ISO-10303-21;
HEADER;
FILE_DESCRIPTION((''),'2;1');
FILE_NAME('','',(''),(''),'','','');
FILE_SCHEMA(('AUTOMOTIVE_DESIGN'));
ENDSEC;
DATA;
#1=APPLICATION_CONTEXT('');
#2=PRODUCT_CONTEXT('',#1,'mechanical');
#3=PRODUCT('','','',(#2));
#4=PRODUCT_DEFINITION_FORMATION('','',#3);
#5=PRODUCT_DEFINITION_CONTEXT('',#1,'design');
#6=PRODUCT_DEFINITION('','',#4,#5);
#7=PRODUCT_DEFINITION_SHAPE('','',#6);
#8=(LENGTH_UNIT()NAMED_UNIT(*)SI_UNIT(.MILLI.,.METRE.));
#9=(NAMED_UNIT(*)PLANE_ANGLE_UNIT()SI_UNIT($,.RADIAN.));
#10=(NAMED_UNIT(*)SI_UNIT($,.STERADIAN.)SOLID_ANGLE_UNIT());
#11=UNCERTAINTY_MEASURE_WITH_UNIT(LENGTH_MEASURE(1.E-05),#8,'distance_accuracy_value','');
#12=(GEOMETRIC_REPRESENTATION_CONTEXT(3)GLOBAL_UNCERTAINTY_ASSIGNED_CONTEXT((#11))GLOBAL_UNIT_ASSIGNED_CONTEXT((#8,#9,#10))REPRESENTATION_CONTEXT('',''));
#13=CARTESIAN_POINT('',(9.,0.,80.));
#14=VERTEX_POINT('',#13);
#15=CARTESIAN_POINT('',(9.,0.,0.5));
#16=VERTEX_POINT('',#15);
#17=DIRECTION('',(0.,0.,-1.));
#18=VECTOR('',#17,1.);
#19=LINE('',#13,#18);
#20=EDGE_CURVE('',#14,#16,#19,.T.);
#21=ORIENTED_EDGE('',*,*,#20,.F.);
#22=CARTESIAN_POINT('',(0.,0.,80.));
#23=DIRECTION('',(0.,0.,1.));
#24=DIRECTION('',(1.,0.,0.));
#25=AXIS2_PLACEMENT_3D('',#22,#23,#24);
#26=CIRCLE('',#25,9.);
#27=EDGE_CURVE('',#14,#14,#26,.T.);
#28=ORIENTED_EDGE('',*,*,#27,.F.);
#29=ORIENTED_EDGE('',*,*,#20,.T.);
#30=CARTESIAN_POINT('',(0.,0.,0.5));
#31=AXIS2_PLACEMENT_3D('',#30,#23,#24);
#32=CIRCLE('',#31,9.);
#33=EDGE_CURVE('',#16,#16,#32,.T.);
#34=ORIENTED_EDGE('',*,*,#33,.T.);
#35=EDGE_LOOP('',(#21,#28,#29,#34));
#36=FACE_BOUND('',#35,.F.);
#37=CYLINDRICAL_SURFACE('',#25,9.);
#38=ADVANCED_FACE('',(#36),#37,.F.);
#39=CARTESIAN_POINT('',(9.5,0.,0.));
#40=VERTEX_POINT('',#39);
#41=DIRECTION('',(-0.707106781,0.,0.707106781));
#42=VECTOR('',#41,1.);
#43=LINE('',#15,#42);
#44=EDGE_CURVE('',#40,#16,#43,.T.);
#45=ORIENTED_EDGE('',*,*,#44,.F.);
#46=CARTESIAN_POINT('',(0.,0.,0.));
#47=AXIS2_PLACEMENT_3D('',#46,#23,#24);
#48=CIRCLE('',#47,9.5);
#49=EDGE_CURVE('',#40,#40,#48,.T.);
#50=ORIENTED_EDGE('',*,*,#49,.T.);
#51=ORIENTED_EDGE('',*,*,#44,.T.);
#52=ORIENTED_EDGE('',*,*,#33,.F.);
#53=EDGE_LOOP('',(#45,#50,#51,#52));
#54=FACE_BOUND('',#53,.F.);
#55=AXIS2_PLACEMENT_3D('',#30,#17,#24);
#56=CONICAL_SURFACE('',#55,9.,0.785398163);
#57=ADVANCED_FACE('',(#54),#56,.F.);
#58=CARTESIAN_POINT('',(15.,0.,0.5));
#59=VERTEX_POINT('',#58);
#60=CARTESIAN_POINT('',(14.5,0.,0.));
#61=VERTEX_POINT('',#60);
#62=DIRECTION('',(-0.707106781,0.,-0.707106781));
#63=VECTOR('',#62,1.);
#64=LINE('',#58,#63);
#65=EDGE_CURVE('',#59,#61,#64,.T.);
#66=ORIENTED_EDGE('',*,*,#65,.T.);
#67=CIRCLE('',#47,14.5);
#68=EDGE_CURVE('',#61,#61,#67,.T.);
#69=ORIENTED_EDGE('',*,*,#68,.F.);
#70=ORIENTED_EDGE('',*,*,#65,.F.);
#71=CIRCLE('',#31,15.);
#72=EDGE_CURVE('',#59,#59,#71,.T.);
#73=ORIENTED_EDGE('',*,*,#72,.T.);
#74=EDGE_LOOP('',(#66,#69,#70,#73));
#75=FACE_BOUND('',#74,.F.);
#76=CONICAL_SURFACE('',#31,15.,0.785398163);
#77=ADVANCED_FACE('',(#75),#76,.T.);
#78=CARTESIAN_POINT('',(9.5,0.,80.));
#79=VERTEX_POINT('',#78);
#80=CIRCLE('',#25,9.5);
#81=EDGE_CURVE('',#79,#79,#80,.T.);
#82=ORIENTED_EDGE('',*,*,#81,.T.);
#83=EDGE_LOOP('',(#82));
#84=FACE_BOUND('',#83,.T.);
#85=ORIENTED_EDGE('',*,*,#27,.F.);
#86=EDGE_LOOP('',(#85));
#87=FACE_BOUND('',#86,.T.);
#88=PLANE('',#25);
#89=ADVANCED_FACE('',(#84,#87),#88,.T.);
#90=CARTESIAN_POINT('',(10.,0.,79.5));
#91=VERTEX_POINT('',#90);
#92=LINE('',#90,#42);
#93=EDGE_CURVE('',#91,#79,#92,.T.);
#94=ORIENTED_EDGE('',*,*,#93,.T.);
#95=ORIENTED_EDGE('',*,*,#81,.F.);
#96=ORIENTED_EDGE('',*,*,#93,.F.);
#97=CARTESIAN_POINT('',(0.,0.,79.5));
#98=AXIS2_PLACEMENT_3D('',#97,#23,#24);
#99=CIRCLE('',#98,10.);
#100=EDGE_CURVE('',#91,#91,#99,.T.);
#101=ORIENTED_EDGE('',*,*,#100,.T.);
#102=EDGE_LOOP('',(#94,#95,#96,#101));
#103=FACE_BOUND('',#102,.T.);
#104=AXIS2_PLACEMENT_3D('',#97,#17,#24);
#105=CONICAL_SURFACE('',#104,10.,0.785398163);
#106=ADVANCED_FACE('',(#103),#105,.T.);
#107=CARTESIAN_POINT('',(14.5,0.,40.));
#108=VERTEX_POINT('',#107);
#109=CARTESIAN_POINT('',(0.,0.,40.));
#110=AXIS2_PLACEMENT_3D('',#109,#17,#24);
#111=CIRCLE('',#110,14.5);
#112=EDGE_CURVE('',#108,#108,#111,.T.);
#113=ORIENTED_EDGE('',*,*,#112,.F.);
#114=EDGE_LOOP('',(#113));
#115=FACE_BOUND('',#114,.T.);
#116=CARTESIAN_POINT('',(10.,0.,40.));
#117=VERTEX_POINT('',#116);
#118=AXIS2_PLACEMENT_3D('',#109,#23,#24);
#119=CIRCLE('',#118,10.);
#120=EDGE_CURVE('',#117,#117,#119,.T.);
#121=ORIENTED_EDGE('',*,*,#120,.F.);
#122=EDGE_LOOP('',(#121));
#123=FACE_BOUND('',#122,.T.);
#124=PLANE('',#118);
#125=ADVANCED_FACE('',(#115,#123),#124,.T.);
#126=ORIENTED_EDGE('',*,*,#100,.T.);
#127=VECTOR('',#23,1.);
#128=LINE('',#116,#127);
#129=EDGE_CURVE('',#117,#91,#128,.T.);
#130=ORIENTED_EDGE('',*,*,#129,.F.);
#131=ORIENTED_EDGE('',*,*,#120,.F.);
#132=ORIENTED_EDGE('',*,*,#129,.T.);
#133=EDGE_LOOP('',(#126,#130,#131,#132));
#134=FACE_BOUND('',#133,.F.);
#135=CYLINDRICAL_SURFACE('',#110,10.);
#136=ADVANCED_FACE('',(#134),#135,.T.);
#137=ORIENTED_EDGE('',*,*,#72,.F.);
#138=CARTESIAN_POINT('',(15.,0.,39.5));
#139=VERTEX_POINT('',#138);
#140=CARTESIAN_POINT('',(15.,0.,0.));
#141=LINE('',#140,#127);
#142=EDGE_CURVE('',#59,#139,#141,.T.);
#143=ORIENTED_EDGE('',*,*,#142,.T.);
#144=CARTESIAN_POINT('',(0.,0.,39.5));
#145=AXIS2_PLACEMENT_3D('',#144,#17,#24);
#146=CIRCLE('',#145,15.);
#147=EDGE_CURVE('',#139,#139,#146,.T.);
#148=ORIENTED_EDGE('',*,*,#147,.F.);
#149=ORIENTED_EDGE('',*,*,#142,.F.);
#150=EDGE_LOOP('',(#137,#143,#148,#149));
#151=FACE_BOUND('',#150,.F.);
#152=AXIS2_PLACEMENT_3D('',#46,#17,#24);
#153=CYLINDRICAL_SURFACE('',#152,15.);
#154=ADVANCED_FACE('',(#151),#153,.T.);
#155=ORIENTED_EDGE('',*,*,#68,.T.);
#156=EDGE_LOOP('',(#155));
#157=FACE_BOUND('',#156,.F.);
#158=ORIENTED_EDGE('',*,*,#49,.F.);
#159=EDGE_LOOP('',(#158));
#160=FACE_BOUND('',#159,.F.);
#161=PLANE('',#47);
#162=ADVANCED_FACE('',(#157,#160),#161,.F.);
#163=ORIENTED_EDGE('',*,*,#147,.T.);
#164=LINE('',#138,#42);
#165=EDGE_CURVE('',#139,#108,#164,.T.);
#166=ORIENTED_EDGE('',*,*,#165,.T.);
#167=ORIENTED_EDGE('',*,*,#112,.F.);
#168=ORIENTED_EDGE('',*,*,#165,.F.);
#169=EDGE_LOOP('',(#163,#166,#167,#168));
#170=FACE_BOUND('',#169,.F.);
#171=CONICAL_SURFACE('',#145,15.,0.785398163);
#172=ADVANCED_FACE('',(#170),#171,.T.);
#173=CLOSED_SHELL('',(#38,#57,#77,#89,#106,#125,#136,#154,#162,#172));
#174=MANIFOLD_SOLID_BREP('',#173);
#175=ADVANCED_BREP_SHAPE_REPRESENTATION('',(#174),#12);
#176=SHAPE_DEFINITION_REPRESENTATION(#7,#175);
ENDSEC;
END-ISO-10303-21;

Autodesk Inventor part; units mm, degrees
ref_plane "YZ Plane" through (0, 0, 0) normal (1, 0, 0) x (0, 1, 0)
ref_plane "XZ Plane" through (0, 0, 0) normal (0, 1, 0) x (-1, 0, 0)
ref_plane "XY Plane" through (0, 0, 0) normal (0, 0, 1) x (1, 0, 0)
sketch "Skizze1" plane through (0, 0, 0) normal (0, 0, 1) x (1, 0, 0)
  line L0 (-21, 0) -> (21, 0) projected
  line L1 (0, -21) -> (0, 21) projected
  circle A0 centre (0, 0) radius 15
  dimension "d0" = 30
extrude "Extrusion1" add sketch "Skizze1" along normal blind 40
sketch "Skizze2" plane through (0, 0, 40) normal (0, 0, 1) x (1, 0, 0)
  circle A0 centre (0, 0) radius 10
  dimension "d3" = 20
extrude "Extrusion2" add sketch "Skizze2" along normal blind 40
thread "Gewinde1" size "M30x3.5" class "6g" standard "ANSI Metric M Profile" length 10
thread "Gewinde2" size "M20x2.5" class "6g" standard "ANSI Metric M Profile" length 10
chamfer "Fase1" distance 0.5 angle 45 1 edges at (-15, 0, 40)
sketch "Skizze3" plane through (0, 0, 80) normal (0, 0, 1) x (1, 0, 0)
  circle A0 centre (0, 0) radius 9
  dimension "d13" = 18
extrude "Extrusion3" cut sketch "Skizze3" against normal blind 80
chamfer "Fase2" distance 0.5 angle 45 3 edges at (-10, 0, 80) (-9, 0, 0) (-15, 0, 0)
properties part number "Durchflusssensor"
